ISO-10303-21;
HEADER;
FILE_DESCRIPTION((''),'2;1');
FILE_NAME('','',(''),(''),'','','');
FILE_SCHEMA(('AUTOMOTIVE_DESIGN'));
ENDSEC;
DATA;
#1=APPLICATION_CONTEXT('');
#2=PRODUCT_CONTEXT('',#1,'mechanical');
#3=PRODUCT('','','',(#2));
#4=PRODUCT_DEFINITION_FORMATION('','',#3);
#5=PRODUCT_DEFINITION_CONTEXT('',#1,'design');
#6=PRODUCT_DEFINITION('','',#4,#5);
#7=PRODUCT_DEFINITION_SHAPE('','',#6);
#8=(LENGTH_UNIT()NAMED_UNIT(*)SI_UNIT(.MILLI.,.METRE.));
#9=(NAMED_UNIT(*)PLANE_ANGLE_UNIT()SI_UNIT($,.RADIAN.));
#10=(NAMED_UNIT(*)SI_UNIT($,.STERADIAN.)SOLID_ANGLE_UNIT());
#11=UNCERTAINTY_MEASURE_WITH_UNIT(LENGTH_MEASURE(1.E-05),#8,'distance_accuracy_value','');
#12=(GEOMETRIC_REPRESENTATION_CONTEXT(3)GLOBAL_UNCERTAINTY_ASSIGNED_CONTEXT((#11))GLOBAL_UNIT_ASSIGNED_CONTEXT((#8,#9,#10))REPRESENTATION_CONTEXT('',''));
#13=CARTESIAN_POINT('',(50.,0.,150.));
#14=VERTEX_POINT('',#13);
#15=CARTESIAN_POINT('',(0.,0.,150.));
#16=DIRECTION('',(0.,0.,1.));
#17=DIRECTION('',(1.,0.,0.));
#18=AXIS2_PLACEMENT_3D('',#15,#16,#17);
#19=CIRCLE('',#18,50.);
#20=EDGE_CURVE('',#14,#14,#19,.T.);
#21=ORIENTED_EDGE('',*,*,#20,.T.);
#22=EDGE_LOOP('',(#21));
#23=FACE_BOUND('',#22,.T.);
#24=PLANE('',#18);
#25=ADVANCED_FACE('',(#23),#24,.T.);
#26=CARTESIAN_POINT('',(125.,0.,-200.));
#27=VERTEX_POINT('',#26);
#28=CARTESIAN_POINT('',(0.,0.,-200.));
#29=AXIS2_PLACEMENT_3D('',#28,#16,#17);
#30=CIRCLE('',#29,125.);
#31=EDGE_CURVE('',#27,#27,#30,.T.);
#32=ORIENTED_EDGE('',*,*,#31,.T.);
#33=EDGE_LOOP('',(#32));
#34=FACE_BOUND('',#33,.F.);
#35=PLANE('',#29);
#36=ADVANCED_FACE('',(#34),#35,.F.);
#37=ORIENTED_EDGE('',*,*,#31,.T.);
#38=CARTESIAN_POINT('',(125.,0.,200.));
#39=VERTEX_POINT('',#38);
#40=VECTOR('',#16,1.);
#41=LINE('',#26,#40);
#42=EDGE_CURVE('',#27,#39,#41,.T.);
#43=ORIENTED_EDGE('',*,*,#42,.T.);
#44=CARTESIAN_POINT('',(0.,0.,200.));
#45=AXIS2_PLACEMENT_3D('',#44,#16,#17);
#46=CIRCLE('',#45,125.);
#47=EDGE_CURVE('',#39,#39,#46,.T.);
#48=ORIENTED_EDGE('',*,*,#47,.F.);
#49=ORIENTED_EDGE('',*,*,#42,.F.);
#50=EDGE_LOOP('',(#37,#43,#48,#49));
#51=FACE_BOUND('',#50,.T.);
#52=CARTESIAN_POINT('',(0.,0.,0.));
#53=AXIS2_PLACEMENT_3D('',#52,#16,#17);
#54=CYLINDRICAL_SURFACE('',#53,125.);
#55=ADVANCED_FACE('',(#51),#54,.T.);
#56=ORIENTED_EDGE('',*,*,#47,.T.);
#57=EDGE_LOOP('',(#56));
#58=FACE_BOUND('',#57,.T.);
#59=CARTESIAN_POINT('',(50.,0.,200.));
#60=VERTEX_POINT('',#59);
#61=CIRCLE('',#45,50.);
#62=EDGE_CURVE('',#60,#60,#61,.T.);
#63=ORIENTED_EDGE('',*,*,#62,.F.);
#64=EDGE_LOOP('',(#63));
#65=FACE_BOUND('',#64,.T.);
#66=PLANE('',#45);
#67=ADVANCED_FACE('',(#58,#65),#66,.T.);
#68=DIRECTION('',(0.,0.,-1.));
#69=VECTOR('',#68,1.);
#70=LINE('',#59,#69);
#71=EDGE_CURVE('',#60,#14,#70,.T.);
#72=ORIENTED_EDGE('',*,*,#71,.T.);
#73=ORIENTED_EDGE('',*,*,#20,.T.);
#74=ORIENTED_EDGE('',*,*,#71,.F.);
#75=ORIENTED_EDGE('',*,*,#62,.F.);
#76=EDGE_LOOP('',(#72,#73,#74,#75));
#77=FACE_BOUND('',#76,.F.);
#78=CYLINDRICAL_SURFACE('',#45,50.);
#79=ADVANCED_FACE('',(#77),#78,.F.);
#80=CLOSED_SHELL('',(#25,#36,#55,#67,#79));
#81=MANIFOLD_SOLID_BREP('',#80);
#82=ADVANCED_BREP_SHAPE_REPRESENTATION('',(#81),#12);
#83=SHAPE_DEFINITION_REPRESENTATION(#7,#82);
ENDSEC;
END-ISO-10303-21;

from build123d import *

# Parameters (mm, degrees)
SKETCH_R     = 125
PAD_DEPTH    = 200
SKETCH001_R  = 50
POCKET_DEPTH = 50


with BuildPart() as part:
    # Sketch → Pad (new body, symmetric)
    with BuildSketch(Plane.XY):
        Circle(SKETCH_R)
    extrude(amount=PAD_DEPTH, both=True)

    # Sketch001 (on Face3 of Pad) → Pocket (cut)
    with BuildSketch(Plane.XY.offset(200)):
        Circle(SKETCH001_R)
    extrude(amount=-POCKET_DEPTH, mode=Mode.SUBTRACT)


solid = part.part
